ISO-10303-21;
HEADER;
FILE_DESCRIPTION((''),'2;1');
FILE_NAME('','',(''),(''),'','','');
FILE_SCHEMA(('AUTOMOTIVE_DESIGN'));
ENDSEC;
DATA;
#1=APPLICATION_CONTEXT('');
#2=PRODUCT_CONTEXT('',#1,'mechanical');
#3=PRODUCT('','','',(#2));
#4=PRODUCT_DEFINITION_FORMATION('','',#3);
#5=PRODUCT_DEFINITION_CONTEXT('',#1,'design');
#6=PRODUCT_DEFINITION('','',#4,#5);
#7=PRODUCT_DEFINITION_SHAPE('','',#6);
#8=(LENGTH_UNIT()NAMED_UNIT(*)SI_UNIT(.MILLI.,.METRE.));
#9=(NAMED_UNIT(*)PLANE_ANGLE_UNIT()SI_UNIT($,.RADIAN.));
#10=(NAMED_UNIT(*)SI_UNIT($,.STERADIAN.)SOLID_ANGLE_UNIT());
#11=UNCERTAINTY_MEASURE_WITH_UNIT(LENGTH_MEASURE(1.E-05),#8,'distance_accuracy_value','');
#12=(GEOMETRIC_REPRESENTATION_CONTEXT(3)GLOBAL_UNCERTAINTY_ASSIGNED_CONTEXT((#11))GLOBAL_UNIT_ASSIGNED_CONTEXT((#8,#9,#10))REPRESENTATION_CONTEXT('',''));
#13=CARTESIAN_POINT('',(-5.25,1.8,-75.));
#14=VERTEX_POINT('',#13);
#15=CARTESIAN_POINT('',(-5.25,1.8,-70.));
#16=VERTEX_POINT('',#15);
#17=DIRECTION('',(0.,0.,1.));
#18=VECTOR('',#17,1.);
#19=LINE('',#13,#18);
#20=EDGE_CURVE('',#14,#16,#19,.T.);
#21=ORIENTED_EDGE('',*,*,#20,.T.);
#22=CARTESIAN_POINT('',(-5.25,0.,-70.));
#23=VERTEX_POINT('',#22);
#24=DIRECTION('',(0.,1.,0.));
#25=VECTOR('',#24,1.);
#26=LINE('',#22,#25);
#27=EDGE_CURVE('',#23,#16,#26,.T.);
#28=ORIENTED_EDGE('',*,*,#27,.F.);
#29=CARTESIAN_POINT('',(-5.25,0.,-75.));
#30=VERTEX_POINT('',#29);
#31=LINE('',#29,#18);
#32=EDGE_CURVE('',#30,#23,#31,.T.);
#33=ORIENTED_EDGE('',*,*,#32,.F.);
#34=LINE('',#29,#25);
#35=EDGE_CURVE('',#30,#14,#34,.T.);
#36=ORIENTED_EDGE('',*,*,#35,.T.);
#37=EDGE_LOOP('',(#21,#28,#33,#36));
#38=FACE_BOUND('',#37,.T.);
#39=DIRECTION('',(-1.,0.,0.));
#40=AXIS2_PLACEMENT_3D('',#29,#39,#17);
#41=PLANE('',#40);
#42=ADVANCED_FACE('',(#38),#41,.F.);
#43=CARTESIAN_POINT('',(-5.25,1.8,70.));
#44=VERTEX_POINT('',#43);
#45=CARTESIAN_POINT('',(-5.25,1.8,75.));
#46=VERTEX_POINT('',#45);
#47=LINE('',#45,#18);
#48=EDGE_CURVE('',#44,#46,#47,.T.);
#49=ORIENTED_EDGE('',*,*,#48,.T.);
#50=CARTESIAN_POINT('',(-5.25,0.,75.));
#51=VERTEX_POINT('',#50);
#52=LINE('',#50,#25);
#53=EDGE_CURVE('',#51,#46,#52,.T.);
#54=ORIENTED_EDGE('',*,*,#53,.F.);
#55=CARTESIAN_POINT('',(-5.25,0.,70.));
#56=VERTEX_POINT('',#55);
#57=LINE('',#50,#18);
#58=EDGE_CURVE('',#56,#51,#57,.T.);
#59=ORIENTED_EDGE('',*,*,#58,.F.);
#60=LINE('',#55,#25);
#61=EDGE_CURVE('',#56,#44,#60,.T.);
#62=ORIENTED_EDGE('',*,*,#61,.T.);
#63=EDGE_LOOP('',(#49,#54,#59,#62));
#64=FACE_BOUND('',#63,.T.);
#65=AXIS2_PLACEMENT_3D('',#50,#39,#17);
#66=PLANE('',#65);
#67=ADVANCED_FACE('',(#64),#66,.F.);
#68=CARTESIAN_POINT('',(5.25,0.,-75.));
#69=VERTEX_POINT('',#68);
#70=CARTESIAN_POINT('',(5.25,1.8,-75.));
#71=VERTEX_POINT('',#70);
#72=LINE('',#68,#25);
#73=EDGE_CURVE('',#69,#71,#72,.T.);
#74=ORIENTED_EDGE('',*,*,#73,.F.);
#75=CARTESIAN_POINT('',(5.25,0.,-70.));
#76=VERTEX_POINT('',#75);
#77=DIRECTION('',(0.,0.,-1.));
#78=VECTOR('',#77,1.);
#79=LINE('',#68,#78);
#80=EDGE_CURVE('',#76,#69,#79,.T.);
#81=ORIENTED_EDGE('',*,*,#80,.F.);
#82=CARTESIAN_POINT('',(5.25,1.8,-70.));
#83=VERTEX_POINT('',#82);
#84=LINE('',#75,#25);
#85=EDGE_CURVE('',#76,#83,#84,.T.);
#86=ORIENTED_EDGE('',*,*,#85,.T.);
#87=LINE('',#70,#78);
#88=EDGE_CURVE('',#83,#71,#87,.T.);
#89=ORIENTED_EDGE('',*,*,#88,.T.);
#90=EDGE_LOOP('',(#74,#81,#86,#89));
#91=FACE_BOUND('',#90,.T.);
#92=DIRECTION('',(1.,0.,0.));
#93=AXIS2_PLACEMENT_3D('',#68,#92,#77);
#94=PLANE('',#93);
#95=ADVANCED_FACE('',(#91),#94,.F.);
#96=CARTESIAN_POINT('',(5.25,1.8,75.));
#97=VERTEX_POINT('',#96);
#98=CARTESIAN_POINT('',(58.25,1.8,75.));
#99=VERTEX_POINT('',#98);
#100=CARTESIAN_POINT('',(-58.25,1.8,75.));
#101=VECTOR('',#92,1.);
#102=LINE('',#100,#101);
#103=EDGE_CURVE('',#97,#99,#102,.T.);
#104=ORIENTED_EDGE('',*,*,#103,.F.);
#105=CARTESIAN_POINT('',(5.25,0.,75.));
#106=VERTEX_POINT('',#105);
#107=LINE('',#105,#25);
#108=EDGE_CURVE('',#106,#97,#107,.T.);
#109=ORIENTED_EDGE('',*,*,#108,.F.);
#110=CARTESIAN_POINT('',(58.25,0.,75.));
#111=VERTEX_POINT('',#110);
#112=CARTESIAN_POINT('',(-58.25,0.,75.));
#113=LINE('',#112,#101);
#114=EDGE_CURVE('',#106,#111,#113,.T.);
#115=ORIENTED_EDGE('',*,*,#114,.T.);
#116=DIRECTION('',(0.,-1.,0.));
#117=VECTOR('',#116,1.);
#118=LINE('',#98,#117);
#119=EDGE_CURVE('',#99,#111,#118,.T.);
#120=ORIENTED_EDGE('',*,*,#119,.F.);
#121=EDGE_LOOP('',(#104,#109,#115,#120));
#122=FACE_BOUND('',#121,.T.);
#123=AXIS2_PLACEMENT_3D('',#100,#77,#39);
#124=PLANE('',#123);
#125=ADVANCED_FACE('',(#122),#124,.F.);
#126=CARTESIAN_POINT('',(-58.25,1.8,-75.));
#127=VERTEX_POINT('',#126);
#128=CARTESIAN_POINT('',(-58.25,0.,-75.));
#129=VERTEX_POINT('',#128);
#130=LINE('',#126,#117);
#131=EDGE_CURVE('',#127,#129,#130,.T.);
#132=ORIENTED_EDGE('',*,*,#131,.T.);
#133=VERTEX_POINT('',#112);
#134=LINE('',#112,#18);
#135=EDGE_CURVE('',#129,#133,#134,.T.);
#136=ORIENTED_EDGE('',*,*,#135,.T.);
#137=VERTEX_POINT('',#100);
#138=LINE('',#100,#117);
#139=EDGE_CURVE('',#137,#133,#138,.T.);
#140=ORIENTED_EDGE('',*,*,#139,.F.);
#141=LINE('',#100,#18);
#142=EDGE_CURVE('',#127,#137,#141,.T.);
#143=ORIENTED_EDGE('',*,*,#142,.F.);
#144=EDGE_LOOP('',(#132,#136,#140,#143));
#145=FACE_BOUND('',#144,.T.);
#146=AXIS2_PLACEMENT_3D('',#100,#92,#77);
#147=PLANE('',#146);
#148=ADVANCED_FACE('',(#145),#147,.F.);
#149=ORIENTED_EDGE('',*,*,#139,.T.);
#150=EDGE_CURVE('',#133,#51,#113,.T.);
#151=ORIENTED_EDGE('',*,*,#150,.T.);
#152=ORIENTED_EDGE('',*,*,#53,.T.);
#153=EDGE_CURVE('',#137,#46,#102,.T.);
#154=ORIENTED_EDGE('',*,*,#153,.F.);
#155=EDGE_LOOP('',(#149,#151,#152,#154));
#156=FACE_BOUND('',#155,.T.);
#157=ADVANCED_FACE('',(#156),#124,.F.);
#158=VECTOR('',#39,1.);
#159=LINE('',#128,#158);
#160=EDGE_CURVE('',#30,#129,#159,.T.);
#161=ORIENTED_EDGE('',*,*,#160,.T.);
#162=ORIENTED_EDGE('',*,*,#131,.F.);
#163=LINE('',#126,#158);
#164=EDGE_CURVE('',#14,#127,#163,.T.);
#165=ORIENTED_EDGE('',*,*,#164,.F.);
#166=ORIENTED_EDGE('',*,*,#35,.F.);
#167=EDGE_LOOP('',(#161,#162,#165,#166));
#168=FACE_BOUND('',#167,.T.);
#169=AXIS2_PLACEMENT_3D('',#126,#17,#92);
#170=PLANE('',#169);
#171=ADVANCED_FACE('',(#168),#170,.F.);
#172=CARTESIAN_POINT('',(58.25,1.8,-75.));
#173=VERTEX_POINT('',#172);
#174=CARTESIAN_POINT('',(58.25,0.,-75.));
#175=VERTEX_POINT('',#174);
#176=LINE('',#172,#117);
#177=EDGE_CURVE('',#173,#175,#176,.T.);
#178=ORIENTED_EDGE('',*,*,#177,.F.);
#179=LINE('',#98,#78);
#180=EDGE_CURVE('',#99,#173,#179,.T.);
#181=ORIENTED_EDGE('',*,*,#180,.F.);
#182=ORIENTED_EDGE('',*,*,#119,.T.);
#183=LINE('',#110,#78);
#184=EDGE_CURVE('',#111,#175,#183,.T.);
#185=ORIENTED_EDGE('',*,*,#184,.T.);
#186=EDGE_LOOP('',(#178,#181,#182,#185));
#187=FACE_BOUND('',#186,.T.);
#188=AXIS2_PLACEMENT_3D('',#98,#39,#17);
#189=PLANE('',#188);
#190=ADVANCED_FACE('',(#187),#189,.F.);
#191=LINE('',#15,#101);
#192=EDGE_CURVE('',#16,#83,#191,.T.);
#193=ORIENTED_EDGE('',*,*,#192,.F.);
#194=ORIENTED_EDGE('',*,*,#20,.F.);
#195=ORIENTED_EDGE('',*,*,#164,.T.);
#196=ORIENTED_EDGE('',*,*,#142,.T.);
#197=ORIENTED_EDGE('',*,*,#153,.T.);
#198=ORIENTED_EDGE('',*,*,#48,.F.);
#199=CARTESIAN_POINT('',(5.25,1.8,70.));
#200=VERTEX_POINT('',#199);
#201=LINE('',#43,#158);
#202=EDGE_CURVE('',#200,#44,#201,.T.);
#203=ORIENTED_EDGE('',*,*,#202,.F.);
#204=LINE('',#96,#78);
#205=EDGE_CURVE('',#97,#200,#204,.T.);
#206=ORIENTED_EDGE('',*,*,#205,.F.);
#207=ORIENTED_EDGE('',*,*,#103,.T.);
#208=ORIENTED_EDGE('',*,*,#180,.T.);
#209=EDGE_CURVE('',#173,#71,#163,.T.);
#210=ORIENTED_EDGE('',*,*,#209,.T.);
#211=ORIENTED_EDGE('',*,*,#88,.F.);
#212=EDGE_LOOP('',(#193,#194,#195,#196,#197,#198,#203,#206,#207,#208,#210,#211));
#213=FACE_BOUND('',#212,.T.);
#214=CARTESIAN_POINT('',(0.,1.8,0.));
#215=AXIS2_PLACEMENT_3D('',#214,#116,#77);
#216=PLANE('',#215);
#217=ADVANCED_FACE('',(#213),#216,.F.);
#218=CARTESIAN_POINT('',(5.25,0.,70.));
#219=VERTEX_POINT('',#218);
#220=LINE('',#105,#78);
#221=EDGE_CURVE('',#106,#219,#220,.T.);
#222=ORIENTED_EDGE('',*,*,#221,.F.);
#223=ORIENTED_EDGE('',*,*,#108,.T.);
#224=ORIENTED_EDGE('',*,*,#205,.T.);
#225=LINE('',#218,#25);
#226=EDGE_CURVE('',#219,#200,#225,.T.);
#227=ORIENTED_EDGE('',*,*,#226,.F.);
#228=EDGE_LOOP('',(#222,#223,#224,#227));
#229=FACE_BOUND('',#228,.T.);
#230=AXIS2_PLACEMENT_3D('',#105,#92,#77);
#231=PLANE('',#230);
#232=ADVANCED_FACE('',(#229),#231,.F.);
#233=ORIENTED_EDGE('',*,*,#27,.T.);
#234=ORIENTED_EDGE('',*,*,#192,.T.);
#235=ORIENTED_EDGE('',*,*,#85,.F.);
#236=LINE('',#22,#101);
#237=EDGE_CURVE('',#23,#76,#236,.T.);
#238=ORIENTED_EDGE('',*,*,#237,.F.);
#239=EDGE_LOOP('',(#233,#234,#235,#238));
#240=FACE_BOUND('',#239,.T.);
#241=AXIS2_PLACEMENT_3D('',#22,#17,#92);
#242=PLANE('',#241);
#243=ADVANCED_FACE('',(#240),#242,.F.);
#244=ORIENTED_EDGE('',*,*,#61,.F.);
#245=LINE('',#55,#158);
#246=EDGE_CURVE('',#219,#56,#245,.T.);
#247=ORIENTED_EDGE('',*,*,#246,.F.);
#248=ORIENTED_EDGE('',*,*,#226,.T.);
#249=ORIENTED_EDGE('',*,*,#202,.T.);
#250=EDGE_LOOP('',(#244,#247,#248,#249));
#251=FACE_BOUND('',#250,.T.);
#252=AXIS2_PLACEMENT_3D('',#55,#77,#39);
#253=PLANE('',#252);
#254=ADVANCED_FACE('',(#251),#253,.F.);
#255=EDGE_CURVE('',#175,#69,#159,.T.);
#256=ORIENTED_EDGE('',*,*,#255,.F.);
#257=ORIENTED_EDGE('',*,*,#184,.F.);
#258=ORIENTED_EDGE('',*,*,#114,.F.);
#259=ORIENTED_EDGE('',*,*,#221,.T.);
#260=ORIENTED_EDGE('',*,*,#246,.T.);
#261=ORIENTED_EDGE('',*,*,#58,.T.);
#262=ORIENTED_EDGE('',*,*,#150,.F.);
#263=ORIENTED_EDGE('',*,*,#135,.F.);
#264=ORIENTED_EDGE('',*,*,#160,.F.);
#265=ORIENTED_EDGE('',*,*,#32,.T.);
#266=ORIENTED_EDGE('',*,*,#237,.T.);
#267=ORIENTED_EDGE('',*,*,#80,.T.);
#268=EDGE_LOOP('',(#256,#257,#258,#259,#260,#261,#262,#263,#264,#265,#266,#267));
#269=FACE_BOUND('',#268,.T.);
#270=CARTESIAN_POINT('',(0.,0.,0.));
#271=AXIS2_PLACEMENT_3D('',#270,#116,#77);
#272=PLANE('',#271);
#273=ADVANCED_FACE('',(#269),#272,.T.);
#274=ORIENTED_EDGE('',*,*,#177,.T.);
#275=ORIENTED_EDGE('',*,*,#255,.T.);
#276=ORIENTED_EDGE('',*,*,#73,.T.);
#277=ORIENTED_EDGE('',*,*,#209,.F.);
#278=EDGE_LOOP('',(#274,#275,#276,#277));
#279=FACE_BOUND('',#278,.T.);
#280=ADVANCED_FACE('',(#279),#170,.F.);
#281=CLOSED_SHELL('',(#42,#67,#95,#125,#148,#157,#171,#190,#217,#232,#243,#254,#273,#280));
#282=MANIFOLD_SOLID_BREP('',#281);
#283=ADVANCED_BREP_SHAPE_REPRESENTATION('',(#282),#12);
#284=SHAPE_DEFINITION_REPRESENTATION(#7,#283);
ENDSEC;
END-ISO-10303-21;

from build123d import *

# Parameters (mm, degrees)
CROQUIS1_W              = 116.5
CROQUIS1_H              = 150
SALIENTE_EXTRUIR1_DEPTH = 1.8
CROQUIS2_W              = 10.5
CROQUIS2_H              = 5
CORTAR_EXTRUIR1_DEPTH   = 2.8


with BuildPart() as part:
    # Croquis1 → Saliente-Extruir1 (new body)
    with BuildSketch(Plane(origin=(0, 0, 0), x_dir=(1, 0, 0), z_dir=(0, 1, 0))):
        Rectangle(CROQUIS1_W, CROQUIS1_H)
    extrude(amount=SALIENTE_EXTRUIR1_DEPTH)

    # Croquis2 → Cortar-Extruir1 (cut, through all)
    with BuildSketch(Plane(origin=(0, 1.8, 0), x_dir=(1, 0, 0), z_dir=(0, 1, 0))):
        with Locations((0, -72.5)):
            Rectangle(CROQUIS2_W, CROQUIS2_H)
        with Locations((0, 72.5)):
            Rectangle(CROQUIS2_W, CROQUIS2_H)
    extrude(amount=-CORTAR_EXTRUIR1_DEPTH, mode=Mode.SUBTRACT)


solid = part.part
